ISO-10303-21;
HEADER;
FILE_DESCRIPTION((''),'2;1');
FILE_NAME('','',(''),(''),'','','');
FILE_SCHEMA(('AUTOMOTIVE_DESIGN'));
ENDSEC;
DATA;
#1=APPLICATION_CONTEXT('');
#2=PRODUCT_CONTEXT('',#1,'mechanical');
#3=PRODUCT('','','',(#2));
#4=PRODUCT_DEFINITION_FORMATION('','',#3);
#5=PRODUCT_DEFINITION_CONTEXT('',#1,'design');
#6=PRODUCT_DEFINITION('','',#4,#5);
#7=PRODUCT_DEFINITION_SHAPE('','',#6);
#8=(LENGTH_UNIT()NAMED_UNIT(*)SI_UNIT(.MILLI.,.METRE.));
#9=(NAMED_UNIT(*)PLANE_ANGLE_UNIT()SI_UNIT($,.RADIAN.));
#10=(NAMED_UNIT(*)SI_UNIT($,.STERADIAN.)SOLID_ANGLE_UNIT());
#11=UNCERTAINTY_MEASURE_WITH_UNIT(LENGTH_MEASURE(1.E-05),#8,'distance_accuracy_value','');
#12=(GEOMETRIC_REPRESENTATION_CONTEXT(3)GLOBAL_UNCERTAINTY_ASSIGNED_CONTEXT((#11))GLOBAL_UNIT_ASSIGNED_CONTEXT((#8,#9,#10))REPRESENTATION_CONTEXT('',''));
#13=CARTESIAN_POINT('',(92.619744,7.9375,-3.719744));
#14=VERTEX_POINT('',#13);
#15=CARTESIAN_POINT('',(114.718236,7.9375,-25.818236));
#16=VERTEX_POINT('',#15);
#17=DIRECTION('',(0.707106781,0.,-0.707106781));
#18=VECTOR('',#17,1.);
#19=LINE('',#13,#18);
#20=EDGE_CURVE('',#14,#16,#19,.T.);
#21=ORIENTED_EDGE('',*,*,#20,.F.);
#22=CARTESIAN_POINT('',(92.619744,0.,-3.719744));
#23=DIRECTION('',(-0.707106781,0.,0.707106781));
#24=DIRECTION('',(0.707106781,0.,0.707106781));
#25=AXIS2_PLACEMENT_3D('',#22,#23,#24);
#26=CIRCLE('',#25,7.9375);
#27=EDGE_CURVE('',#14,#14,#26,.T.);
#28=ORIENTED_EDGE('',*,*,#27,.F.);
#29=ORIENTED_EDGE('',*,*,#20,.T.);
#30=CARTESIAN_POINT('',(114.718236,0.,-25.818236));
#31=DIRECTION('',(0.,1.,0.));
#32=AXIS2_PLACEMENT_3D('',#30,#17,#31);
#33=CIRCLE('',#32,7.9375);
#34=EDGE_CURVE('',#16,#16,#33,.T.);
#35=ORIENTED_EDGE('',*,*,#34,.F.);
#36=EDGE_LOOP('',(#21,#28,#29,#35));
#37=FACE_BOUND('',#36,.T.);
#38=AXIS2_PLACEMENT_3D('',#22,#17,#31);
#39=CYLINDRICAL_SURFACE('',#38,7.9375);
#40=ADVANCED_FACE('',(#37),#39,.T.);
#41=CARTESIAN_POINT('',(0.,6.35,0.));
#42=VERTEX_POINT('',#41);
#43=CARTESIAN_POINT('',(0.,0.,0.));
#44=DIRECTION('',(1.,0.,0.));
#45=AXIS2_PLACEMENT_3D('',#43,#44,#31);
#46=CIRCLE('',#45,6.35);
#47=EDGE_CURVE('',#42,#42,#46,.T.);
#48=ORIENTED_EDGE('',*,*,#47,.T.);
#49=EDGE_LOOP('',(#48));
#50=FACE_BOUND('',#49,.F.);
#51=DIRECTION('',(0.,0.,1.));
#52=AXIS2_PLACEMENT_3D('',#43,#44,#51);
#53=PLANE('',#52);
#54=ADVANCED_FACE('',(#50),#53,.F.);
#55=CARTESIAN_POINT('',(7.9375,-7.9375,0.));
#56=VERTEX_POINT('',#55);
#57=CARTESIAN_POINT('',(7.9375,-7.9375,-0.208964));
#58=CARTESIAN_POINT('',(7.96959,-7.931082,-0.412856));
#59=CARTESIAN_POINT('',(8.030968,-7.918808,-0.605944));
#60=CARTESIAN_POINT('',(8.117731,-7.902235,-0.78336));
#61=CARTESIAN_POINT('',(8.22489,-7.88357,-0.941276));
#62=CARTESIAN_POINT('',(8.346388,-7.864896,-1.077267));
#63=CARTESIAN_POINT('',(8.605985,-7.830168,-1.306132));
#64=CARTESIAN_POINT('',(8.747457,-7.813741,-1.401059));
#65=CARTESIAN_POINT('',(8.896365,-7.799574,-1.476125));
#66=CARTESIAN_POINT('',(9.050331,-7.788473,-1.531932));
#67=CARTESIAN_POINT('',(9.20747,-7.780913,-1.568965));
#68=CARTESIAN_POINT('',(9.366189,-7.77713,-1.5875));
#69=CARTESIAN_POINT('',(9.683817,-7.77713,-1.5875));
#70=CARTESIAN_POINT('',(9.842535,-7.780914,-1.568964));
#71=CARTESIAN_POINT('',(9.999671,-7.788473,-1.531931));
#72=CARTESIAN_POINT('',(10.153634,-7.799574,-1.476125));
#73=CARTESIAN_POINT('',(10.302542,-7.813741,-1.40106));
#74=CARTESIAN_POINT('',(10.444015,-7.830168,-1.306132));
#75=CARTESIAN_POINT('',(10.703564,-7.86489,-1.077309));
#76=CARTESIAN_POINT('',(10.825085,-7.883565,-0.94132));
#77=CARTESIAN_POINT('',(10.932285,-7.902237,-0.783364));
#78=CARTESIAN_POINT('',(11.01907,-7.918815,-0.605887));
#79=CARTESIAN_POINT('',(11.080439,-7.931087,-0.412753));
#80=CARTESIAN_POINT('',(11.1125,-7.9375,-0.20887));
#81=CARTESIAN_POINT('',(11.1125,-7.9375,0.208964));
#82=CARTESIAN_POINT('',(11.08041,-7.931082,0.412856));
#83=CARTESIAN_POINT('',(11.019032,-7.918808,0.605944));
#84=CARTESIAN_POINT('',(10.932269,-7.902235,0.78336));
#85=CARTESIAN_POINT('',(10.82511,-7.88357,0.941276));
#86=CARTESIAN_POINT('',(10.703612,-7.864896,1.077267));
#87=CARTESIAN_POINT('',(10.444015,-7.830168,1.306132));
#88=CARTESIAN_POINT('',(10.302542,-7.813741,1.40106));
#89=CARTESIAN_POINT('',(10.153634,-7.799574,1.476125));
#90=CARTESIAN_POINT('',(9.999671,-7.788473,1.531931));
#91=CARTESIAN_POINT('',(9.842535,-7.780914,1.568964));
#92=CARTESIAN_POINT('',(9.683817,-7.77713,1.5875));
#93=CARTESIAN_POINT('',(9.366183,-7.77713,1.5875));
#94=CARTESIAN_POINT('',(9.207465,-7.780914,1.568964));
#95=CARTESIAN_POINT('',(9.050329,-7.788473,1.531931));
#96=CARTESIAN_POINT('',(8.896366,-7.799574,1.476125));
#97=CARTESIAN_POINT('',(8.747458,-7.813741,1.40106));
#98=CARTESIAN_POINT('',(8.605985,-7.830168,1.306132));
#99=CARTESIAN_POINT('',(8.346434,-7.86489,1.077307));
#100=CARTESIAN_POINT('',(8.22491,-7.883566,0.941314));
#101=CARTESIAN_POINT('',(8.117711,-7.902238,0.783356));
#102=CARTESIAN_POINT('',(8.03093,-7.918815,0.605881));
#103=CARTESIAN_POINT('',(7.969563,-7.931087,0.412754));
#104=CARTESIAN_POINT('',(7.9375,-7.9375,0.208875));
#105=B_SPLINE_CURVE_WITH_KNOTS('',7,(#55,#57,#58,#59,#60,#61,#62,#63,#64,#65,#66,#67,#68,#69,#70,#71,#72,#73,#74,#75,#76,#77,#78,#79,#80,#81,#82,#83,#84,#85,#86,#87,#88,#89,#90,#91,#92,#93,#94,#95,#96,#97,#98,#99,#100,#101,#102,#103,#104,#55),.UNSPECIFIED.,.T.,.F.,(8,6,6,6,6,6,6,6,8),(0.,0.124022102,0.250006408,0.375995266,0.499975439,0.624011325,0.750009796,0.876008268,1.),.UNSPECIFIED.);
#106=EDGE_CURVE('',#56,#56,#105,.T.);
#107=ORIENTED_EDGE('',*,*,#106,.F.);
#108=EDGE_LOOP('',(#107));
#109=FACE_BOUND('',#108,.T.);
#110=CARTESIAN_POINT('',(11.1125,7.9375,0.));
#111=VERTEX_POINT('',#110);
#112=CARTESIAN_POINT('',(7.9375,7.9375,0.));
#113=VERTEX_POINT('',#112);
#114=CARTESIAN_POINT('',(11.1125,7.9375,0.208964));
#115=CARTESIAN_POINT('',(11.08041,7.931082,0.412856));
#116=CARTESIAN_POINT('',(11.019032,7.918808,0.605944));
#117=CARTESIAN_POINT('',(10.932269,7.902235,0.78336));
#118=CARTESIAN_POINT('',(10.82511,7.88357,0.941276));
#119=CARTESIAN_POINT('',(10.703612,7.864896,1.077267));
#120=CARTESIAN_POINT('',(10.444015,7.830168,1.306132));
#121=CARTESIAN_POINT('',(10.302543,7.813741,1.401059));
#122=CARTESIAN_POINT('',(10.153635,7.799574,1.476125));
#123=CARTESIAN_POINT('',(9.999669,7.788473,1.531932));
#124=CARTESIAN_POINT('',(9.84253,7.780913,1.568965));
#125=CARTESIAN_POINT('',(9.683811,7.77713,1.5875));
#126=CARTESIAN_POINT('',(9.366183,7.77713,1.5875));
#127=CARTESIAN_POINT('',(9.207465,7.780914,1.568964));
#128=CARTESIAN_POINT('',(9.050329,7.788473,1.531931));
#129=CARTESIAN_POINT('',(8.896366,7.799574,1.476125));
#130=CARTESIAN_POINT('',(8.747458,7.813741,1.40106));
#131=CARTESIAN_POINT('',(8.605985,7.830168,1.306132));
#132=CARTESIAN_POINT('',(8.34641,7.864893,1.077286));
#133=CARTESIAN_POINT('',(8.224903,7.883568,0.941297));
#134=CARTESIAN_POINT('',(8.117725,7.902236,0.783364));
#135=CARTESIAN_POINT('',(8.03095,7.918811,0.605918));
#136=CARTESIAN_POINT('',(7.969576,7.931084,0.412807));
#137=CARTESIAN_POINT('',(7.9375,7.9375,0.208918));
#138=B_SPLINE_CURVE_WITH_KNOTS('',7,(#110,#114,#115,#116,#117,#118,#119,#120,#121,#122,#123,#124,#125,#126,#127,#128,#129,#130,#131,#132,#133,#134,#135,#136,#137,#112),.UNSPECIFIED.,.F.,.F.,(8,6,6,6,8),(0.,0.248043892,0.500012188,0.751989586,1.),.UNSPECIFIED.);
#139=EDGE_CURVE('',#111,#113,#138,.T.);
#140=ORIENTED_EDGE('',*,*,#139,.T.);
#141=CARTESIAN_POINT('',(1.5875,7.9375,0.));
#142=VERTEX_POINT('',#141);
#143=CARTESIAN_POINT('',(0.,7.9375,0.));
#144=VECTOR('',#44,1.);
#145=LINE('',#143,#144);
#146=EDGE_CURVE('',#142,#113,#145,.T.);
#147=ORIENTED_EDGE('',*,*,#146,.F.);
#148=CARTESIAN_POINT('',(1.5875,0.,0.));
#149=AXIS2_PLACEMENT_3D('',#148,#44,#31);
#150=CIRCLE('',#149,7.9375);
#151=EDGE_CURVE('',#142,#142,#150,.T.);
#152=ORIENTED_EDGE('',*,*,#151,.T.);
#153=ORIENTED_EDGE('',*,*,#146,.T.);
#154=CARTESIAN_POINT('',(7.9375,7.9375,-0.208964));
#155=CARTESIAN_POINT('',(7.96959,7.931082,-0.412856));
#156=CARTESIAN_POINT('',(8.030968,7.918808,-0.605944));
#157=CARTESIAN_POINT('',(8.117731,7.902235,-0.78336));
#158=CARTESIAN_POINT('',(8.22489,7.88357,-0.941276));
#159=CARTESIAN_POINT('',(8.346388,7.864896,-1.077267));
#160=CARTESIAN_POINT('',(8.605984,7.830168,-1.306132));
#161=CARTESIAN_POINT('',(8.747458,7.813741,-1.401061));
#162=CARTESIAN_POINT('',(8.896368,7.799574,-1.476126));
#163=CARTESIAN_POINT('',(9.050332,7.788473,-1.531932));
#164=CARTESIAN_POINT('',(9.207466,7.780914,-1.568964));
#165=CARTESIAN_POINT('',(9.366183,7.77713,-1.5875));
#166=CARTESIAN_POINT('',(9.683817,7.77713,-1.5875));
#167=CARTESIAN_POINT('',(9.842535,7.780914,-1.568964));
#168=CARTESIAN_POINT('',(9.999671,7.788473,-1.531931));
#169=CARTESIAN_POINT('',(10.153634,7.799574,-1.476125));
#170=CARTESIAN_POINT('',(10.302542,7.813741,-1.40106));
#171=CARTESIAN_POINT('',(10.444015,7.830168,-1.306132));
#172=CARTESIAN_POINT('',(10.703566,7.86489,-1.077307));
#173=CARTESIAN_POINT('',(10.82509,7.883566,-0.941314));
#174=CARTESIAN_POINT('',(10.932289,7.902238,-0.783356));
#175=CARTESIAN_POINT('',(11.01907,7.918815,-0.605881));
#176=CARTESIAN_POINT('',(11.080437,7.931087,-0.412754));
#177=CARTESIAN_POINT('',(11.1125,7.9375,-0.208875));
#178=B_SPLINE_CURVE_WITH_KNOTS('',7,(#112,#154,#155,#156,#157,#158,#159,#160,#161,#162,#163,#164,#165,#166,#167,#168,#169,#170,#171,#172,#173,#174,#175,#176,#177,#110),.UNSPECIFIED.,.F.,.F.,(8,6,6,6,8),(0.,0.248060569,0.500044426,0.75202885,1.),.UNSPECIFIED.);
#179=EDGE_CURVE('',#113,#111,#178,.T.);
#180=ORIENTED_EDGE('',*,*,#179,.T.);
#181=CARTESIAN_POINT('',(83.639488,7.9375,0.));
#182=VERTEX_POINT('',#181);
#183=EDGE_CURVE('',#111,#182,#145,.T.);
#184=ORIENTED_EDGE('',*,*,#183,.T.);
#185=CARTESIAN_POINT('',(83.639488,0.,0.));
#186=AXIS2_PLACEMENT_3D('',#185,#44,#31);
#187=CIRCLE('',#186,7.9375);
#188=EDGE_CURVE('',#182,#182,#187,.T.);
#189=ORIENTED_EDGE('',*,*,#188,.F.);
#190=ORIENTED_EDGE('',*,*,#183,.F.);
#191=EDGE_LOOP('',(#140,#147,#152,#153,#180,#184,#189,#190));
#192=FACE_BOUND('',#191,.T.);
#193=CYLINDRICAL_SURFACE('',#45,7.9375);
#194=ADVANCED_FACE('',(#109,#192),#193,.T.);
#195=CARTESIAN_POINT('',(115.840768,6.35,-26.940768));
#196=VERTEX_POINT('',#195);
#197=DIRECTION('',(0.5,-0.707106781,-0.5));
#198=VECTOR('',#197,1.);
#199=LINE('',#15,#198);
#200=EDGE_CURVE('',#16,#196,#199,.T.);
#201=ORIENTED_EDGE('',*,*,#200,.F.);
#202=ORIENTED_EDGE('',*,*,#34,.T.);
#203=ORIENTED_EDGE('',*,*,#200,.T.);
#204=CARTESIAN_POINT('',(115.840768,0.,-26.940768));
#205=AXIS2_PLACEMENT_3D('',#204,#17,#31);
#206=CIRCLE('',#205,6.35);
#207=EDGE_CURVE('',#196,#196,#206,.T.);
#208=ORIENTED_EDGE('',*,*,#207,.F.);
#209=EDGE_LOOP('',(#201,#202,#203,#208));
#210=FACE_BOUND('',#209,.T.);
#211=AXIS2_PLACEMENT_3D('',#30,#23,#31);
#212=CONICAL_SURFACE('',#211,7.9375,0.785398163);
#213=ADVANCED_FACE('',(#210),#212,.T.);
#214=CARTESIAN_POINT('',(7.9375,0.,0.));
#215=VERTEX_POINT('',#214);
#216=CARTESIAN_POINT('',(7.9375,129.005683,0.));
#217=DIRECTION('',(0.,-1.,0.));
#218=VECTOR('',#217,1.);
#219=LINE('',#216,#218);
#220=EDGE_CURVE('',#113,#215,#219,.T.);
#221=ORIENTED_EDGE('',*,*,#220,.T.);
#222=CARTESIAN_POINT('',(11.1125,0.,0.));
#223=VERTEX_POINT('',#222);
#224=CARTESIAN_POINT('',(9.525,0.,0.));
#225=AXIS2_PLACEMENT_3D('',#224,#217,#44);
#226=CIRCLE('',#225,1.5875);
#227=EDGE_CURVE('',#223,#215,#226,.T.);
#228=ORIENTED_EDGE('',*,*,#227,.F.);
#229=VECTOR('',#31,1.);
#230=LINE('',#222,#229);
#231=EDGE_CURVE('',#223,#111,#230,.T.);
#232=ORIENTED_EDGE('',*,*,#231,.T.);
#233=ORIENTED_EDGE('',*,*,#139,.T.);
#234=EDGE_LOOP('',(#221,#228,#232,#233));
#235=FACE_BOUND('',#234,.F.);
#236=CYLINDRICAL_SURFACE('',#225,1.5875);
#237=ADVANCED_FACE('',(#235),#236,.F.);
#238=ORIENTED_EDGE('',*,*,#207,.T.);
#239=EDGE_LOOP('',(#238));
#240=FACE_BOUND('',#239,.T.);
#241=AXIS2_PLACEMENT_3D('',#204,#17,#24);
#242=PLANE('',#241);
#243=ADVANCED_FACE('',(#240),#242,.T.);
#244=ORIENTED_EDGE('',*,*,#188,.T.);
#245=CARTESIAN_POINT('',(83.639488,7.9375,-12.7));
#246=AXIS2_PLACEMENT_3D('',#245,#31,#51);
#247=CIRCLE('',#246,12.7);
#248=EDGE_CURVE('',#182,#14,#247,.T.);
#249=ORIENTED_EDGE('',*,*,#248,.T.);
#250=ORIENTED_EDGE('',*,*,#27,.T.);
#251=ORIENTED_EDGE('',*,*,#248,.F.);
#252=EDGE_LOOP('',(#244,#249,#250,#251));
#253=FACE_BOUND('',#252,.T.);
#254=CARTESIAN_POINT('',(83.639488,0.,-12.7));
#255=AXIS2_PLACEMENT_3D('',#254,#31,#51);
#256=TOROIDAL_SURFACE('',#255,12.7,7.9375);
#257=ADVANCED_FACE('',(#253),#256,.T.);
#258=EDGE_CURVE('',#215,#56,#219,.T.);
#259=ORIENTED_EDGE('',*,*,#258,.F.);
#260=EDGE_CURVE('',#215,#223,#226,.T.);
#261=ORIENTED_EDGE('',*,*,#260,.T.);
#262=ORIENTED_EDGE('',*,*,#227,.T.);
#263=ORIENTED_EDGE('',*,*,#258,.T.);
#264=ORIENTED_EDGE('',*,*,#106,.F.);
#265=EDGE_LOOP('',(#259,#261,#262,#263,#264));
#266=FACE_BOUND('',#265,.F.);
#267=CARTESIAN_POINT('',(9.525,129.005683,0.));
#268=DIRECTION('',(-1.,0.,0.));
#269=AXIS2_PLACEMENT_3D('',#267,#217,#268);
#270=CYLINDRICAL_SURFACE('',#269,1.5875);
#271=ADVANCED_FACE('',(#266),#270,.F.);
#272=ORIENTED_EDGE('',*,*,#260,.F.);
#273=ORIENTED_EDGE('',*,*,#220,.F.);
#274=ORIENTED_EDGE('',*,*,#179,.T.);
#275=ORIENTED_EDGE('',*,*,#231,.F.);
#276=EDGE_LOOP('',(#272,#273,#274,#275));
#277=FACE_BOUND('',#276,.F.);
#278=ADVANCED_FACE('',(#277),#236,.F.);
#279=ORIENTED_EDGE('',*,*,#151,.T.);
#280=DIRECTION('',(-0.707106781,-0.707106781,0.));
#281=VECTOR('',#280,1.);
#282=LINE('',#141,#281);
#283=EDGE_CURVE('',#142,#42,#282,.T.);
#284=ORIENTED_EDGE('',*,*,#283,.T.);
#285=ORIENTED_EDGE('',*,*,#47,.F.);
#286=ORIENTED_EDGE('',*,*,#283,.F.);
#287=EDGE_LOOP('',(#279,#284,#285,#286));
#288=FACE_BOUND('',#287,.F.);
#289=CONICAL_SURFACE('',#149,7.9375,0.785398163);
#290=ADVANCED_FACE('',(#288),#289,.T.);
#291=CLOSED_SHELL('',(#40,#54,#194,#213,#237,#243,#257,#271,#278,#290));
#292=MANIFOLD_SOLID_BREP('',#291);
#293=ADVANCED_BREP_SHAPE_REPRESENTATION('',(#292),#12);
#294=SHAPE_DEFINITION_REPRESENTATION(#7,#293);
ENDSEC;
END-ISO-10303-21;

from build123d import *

# Parameters (mm, degrees)
F1_R     = 7.9375
F4_D     = 3.175
F4_DEPTH = 7.9385001
F5_D     = 3.175
F6_SIZE  = 1.5875


with BuildPart() as f2:
    # F2: sweep along a path in F0
    with BuildLine(Plane.XZ) as f2_path:
        Line((0, 0), (83.6394877579, 0))
        ThreePointArc((83.6394877579, 0), (88.4995673489, -0.9667299371), (92.6197438789, -3.7197438789))
        Line((92.6197438789, -3.7197438789), (115.8407683632, -26.9407683632))
    # F1 (on Right) → F2 (sweep)
    with BuildSketch(Plane.YZ):
        Circle(F1_R)
    sweep(path=f2_path.line)

    # F4 (through all, one way)
    with BuildSketch(Plane.XZ):
        with Locations((9.525, 0)):
            Circle(F4_D / 2)
    extrude(amount=-F4_DEPTH, mode=Mode.SUBTRACT)

    # F5 (through all)
    with Locations(Plane(origin=(0, 0, 0), x_dir=(1, 0, 0), z_dir=(0, 1, 0))):
        with Locations((9.525, 0)):
            Hole(F5_D / 2)

    # F6
    f6_edges = [f2.edges().sort_by_distance(p)[0] for p in [
        (0, -7.9375, 0),
        (115.840768, -7.9375, -26.940768),
    ]]
    chamfer(f6_edges, length=F6_SIZE)


solid = f2.part
